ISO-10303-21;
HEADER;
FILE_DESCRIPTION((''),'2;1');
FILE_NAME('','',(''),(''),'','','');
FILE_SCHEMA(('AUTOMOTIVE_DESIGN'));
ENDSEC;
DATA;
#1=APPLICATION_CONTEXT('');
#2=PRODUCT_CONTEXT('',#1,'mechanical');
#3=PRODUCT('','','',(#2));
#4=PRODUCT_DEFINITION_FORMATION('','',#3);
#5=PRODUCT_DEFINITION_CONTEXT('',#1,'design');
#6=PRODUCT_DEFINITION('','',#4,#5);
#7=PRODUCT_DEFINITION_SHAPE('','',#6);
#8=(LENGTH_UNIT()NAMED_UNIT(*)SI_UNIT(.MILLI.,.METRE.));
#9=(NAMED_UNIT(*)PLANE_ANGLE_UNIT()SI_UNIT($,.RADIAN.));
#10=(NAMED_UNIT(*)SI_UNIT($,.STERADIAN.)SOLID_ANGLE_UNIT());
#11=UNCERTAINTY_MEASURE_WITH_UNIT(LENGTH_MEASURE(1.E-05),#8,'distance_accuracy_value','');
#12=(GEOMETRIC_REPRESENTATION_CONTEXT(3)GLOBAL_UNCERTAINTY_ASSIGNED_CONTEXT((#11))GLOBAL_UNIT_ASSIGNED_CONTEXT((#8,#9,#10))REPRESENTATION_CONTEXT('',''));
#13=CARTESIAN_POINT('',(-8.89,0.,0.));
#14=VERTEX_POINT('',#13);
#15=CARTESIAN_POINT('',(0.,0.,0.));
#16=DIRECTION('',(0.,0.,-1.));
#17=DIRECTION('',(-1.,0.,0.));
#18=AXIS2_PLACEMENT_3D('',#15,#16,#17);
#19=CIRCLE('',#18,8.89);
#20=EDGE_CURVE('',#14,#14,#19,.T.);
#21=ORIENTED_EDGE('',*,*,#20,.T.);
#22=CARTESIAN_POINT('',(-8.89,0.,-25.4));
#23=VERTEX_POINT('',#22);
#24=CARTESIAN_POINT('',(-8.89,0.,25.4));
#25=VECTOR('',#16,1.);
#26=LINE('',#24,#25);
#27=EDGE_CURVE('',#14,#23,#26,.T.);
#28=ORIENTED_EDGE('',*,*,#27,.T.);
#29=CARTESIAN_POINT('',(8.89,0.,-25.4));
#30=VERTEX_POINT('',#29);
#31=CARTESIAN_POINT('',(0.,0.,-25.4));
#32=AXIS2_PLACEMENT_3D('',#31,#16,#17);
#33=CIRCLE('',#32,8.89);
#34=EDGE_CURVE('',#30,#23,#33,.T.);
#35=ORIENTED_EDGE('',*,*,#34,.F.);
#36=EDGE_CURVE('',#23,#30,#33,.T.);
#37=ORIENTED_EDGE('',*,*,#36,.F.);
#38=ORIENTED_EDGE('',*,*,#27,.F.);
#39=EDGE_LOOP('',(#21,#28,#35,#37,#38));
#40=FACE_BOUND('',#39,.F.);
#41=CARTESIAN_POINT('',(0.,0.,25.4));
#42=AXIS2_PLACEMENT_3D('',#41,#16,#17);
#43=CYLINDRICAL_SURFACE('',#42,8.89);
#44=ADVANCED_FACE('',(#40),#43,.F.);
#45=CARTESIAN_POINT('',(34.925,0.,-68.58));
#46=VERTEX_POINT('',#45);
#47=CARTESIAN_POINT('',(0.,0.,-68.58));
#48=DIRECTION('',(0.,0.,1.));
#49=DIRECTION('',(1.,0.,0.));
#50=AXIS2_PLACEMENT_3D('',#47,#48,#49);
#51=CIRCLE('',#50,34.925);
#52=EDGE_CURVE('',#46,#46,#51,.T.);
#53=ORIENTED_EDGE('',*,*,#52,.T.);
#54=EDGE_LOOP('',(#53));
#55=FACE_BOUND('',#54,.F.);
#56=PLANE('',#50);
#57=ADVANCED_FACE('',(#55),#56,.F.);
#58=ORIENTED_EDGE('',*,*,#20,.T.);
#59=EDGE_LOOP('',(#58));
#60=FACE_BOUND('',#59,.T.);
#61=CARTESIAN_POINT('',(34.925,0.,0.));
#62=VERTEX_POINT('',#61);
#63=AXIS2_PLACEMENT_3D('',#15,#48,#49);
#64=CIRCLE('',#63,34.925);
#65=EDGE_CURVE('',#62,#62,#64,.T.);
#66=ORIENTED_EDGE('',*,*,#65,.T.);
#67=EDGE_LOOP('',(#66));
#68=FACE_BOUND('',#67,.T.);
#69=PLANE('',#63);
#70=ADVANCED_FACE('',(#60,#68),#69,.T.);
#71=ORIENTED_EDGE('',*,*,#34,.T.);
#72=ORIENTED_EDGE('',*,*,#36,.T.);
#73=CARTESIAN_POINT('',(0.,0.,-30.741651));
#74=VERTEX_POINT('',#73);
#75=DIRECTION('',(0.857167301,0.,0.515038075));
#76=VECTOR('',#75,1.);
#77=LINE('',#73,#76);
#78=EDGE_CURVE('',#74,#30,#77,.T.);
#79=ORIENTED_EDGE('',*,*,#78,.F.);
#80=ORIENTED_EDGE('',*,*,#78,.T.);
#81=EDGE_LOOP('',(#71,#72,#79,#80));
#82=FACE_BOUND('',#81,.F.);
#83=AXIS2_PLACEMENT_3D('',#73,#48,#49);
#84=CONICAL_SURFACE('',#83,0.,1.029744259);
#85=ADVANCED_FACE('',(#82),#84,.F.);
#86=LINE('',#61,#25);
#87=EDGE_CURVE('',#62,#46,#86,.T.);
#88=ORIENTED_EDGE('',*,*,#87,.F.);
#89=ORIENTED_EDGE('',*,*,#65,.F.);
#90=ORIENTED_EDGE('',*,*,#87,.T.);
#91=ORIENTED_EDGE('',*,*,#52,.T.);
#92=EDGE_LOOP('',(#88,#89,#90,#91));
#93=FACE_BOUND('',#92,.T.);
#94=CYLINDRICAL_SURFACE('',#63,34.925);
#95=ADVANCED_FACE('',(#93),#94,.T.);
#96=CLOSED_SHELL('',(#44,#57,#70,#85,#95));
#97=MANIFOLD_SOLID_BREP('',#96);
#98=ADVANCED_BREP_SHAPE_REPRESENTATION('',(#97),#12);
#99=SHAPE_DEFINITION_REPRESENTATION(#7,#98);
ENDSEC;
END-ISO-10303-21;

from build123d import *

# Parameters (mm, degrees)
F0_R     = 34.925
F1_DEPTH = 68.58
F3_D     = 17.78
F3_DEPTH = 25.4
F3_TIP   = 5.3416509032


with BuildPart() as f1:
    # F0 (on Top) → F1 (new body)
    with BuildSketch(Plane.XY):
        Circle(F0_R)
    extrude(amount=-F1_DEPTH)

    # F3
    with Locations(Plane.XY):
        with Locations((0, 0)):
            Hole(F3_D / 2, depth=F3_DEPTH)
            with Locations((0, 0, -(F3_DEPTH + F3_TIP / 2))):  # 118° drill point
                Cone(0, F3_D / 2, F3_TIP, mode=Mode.SUBTRACT)


solid = f1.part
